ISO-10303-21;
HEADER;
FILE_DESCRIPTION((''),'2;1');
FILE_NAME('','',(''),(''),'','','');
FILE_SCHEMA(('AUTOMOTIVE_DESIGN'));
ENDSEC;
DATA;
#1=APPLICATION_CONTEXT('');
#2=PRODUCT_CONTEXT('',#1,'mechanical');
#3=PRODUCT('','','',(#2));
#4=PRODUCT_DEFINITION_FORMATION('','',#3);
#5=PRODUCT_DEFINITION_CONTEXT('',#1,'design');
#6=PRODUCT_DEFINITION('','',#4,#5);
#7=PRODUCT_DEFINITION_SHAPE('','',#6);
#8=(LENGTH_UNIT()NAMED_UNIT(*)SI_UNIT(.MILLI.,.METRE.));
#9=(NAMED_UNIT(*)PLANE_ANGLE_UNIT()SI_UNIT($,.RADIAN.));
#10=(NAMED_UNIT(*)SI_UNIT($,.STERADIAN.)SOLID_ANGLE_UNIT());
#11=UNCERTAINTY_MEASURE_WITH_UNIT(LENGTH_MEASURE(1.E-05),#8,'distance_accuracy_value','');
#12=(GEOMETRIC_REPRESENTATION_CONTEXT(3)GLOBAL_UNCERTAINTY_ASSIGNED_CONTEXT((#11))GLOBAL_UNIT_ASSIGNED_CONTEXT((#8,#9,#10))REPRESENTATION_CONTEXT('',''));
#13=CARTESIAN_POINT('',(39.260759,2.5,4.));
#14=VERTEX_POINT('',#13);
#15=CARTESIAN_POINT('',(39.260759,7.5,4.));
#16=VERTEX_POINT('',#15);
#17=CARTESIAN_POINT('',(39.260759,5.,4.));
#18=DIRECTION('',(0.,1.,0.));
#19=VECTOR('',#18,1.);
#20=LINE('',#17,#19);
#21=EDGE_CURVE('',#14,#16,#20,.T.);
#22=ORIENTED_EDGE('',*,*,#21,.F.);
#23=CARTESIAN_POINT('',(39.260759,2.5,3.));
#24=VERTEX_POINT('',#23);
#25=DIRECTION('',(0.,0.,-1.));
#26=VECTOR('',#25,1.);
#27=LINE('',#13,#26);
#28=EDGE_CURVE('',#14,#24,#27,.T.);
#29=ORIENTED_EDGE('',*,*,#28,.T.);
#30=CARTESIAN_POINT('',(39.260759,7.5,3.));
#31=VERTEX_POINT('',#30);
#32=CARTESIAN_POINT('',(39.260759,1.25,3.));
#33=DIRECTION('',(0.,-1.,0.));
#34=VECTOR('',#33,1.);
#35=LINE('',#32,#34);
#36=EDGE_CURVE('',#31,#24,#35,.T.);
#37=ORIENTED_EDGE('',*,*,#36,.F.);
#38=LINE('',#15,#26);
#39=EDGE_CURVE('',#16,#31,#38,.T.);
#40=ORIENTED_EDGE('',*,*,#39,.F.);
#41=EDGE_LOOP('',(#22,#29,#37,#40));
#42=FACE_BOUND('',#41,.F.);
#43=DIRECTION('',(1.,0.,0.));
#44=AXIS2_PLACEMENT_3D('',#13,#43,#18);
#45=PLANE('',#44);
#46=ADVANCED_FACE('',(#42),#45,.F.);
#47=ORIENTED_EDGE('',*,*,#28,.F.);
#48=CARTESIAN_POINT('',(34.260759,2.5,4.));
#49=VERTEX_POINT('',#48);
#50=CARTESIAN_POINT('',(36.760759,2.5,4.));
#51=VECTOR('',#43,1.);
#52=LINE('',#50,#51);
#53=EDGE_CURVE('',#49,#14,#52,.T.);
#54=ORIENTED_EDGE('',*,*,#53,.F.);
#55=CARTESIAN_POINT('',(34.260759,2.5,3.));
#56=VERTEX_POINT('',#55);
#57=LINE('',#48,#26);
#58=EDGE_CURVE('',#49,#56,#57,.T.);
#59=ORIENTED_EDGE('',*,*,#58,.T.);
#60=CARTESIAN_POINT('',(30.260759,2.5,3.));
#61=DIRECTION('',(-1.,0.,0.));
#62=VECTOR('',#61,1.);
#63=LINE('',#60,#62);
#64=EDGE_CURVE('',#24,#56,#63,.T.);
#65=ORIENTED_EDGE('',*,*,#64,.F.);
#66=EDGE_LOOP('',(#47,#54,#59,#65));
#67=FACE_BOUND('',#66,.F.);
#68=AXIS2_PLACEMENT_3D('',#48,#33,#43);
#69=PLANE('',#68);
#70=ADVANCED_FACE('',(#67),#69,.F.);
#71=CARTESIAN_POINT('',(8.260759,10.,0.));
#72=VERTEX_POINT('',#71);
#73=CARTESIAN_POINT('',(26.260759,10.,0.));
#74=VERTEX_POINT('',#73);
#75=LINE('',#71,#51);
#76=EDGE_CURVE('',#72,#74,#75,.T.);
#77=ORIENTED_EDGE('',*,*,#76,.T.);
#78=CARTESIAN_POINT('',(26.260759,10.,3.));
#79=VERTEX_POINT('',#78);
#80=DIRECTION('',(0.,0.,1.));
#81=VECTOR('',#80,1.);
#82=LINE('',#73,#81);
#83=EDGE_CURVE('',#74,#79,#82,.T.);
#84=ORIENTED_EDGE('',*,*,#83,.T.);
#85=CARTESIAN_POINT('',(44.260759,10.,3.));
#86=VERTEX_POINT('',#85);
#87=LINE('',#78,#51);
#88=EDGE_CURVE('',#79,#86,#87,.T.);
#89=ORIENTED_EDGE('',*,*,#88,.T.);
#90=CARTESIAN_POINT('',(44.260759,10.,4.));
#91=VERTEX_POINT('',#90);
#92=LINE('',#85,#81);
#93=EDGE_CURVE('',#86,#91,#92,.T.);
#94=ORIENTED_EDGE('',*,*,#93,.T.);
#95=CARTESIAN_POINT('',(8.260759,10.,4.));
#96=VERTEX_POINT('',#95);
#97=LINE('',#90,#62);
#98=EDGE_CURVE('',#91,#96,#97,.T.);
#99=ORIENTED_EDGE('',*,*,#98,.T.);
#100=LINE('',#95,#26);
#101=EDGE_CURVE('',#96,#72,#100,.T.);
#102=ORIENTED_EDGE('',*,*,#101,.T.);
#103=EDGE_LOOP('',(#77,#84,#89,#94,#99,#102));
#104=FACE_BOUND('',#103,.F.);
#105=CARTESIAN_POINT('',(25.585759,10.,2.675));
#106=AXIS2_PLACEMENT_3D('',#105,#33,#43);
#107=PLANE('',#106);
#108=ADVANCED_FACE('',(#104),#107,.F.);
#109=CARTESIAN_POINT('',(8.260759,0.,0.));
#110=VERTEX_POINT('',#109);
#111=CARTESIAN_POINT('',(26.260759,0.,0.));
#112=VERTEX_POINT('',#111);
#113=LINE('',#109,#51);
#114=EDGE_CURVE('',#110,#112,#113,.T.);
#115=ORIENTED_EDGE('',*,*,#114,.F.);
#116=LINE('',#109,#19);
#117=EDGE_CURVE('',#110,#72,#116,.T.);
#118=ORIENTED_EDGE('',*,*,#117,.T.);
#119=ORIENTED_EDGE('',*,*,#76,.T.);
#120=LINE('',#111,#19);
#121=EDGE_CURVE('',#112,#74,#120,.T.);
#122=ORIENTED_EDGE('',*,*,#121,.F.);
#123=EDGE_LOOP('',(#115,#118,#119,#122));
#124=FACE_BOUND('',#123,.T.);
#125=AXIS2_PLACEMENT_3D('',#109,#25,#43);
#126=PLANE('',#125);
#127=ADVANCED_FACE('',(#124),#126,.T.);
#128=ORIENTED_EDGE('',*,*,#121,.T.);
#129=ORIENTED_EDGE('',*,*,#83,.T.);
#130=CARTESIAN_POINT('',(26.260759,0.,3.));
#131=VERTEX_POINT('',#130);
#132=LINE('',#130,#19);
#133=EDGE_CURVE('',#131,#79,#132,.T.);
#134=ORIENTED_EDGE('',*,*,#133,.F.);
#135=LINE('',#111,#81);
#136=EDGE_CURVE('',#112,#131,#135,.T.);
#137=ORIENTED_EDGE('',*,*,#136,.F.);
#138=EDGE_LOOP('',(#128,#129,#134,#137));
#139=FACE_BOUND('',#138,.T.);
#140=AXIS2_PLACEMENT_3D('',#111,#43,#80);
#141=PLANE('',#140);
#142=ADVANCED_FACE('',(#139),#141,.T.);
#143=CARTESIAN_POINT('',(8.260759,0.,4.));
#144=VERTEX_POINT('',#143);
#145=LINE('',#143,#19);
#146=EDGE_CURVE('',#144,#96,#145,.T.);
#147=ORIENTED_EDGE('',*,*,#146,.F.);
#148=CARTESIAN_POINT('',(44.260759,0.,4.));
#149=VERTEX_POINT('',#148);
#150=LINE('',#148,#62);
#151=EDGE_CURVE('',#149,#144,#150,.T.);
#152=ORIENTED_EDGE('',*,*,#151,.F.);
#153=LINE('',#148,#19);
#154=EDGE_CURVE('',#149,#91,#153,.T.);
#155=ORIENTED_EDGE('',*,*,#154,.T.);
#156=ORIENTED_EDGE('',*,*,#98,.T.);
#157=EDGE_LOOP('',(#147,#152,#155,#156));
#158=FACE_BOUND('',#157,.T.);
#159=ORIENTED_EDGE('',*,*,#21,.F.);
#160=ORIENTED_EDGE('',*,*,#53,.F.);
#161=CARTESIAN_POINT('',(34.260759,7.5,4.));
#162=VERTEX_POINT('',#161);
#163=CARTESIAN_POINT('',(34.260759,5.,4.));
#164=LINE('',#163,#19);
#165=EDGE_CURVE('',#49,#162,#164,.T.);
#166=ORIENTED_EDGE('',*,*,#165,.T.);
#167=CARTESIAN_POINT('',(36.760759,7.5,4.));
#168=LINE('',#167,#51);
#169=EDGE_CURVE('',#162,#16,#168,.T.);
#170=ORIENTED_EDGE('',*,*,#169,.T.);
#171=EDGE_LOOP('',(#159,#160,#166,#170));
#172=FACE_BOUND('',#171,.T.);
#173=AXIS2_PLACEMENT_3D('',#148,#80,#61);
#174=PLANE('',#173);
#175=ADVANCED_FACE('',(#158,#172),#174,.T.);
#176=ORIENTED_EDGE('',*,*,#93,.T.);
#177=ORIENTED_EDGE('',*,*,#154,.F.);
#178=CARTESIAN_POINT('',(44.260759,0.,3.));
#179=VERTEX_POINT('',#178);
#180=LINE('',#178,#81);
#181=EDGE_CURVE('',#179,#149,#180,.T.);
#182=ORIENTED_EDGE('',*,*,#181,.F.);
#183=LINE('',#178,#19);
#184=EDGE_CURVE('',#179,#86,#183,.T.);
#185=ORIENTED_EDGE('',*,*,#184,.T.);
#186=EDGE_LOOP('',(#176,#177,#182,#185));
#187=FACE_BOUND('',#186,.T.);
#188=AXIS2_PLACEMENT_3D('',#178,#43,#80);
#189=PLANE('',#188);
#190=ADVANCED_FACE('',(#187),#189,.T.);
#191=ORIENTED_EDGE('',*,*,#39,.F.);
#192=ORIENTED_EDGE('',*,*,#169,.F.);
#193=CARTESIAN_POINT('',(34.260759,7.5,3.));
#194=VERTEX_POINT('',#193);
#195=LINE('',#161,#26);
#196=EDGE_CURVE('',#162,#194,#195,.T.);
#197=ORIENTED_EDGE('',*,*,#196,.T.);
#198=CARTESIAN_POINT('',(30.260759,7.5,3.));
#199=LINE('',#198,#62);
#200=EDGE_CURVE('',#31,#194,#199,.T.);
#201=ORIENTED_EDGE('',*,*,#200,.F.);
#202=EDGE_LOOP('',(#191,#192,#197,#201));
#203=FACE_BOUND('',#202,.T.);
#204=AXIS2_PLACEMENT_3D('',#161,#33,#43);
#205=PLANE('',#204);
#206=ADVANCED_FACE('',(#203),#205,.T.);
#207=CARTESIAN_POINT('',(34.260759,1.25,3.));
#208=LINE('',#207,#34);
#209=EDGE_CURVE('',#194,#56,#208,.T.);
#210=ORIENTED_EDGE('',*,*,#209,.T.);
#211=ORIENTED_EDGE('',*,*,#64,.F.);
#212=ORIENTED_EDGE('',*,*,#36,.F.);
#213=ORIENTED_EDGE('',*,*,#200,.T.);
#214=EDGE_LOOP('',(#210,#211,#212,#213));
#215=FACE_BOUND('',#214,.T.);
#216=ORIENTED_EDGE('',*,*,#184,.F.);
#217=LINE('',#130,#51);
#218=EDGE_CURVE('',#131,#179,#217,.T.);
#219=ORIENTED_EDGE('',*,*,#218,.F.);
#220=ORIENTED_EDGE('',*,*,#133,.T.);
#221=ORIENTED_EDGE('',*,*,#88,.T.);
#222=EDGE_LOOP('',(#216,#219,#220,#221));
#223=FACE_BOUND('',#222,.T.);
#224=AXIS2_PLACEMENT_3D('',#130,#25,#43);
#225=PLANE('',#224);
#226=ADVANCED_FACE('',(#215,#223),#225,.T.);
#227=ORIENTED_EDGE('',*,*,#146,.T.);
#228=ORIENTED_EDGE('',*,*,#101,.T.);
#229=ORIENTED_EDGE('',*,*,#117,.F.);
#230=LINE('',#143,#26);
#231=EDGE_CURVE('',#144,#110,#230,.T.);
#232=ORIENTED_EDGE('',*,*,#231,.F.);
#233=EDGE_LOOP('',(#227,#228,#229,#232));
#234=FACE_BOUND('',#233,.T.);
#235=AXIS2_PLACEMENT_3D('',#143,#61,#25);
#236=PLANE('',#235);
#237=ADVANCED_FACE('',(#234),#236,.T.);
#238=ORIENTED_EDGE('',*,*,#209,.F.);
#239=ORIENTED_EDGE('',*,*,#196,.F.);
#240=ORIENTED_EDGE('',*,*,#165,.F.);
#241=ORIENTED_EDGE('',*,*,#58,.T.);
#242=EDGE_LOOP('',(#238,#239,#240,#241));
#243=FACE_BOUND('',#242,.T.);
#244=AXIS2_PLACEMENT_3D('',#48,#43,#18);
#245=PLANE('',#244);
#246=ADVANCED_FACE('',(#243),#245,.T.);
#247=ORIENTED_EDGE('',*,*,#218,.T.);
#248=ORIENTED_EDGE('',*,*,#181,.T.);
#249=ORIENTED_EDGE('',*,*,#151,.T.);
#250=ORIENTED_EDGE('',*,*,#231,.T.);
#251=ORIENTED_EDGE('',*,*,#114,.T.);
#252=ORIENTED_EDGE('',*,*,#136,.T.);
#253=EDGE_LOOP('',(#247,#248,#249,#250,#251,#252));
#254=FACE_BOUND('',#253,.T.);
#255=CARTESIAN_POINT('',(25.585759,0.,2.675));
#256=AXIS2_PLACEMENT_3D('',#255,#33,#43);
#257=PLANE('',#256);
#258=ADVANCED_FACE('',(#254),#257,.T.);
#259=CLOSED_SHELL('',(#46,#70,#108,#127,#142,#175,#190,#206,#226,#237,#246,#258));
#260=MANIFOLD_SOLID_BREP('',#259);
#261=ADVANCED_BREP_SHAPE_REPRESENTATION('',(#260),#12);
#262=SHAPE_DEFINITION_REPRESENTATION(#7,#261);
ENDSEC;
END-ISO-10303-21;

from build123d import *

# Parameters (mm, degrees)
F1_DEPTH = 10
F2_W     = 5
F2_H     = 5
F3_DEPTH = 10


with BuildPart() as f1:
    # F0 (on Front) → F1 (new body)
    with BuildSketch(Plane.XZ):
        Polygon((8.260759, 4), (8.260759, 0), (16.521518, 0), (26.260759, 0), (26.260759, 3), (44.260759, 3), (44.260759, 4), (18, 4), align=None)
    extrude(amount=-F1_DEPTH)

    # F2 (on face) → F3 (cut)
    with BuildSketch(Plane.XY.offset(4)):
        with Locations((36.760759, 5)):
            Rectangle(F2_W, F2_H)
    extrude(amount=-F3_DEPTH, mode=Mode.SUBTRACT)


solid = f1.part
